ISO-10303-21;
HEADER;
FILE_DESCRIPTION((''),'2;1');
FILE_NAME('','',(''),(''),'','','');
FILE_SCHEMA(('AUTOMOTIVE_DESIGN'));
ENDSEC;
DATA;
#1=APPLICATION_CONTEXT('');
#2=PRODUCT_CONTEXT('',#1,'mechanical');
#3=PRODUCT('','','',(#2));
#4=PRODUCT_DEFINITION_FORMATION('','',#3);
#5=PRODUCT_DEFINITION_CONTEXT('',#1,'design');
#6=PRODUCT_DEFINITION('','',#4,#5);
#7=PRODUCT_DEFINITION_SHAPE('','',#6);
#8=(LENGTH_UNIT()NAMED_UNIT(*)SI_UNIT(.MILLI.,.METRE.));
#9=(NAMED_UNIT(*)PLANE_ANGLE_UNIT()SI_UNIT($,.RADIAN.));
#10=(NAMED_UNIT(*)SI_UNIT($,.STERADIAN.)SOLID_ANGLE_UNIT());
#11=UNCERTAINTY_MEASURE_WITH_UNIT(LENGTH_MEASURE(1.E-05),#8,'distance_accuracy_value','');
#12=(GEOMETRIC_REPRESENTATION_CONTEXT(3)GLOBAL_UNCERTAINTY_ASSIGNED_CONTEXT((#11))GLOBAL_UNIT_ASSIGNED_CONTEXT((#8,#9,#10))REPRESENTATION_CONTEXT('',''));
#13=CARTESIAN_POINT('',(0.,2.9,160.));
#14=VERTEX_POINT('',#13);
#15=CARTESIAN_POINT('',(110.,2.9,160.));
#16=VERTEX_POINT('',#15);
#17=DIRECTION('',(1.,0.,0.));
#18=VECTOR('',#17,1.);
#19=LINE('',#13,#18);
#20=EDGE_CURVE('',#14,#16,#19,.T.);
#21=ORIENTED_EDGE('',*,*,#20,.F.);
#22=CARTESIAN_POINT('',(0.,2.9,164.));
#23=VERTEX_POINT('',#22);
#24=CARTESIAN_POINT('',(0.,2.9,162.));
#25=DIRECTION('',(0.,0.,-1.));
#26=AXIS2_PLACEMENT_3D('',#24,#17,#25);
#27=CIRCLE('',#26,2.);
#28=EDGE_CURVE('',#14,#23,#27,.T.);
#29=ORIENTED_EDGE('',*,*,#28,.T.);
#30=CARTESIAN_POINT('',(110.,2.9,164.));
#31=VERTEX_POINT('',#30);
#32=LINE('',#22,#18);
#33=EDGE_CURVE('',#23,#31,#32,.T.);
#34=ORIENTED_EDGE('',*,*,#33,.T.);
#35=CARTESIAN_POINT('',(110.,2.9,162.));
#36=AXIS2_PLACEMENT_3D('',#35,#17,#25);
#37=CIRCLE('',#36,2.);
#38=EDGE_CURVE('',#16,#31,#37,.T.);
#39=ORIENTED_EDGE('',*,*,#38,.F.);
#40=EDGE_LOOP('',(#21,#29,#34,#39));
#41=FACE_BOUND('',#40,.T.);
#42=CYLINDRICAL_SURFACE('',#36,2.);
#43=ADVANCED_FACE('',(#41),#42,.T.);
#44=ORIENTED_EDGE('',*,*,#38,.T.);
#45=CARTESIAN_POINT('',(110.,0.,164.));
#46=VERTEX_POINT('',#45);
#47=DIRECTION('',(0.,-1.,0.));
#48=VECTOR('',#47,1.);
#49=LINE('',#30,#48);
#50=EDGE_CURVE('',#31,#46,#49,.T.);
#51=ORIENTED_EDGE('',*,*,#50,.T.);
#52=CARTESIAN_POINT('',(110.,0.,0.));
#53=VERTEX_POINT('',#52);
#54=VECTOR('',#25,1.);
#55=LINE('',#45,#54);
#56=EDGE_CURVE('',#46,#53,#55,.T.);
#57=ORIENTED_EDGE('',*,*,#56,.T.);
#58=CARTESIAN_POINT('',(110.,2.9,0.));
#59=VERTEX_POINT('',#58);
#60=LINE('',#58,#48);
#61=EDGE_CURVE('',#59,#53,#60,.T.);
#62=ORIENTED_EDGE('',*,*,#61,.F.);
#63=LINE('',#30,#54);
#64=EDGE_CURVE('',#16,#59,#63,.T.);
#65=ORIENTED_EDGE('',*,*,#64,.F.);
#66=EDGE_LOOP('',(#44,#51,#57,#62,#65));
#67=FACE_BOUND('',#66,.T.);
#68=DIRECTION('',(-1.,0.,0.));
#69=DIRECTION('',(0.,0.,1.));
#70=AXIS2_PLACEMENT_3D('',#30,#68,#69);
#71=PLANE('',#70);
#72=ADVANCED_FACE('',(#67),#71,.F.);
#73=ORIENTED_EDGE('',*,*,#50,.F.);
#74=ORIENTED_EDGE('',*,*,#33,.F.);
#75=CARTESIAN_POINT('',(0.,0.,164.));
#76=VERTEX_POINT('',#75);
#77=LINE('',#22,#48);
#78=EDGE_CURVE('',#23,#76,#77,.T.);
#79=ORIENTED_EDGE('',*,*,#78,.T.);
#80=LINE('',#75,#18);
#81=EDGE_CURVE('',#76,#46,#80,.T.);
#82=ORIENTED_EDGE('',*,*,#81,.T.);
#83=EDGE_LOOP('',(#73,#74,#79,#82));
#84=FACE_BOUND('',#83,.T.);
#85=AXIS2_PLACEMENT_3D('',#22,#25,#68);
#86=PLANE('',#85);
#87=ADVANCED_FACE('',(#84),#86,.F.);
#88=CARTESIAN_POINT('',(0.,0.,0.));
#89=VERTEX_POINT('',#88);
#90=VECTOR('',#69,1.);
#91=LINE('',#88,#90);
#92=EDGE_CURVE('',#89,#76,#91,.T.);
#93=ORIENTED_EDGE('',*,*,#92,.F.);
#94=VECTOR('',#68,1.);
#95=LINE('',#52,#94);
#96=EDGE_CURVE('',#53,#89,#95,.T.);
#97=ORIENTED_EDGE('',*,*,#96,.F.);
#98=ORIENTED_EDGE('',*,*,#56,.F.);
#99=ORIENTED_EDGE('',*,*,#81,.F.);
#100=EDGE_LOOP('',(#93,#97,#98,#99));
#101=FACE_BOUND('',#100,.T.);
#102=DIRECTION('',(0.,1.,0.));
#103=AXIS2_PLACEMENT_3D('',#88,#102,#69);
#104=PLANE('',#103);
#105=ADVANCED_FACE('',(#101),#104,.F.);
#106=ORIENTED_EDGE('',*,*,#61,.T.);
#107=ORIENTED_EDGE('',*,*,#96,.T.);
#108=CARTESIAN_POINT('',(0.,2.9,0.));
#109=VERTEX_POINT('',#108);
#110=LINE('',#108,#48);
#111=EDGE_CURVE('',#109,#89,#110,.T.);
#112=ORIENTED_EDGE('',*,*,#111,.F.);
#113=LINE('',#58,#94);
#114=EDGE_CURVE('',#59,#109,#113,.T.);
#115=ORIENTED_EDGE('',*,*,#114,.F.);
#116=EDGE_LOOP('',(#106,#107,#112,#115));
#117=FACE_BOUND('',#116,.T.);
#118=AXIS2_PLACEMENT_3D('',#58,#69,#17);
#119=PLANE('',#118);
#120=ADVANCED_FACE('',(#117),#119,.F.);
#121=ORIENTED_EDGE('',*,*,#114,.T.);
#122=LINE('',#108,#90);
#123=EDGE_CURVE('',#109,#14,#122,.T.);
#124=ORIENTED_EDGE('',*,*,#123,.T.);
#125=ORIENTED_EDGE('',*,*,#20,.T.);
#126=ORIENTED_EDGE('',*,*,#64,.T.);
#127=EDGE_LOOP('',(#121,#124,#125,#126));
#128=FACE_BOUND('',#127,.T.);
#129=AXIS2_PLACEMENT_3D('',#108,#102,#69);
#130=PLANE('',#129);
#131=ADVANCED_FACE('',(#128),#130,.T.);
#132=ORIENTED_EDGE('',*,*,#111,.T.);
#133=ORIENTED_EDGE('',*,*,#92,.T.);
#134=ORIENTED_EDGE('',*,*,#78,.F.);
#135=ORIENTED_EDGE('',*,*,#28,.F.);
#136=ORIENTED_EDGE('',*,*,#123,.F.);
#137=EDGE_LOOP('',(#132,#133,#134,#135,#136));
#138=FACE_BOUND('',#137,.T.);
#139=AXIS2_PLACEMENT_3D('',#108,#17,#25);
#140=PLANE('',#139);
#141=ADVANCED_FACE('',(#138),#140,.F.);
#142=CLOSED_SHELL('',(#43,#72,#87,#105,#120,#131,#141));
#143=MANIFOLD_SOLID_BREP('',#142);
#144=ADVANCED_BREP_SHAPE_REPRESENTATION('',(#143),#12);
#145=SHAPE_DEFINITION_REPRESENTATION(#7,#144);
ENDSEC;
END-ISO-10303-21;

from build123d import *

# Parameters (mm, degrees)
SKETCH1_W           = 110
SKETCH1_H           = 164
BOSS_EXTRUDE1_DEPTH = 2.9
SKETCH2_W           = 110
SKETCH2_H           = 2
REVOLVE1_ANGLE      = 180


with BuildPart() as part:
    # Sketch1 → Boss-Extrude1 (new body)
    with BuildSketch(Plane(origin=(0, 0, 0), x_dir=(1, 0, 0), z_dir=(0, 1, 0))):
        with Locations((55, -82)):
            Rectangle(SKETCH1_W, SKETCH1_H)
    extrude(amount=BOSS_EXTRUDE1_DEPTH)

    # Sketch2 → Revolve1 (revolve)
    with BuildSketch(Plane(origin=(0, 2.9, 0), x_dir=(1, 0, 0), z_dir=(0, 1, 0))):
        with Locations((55, -163)):
            Rectangle(SKETCH2_W, SKETCH2_H)
    revolve(axis=Axis((110, 2.9, 162), (-1, 0, 0)), revolution_arc=REVOLVE1_ANGLE)


solid = part.part
